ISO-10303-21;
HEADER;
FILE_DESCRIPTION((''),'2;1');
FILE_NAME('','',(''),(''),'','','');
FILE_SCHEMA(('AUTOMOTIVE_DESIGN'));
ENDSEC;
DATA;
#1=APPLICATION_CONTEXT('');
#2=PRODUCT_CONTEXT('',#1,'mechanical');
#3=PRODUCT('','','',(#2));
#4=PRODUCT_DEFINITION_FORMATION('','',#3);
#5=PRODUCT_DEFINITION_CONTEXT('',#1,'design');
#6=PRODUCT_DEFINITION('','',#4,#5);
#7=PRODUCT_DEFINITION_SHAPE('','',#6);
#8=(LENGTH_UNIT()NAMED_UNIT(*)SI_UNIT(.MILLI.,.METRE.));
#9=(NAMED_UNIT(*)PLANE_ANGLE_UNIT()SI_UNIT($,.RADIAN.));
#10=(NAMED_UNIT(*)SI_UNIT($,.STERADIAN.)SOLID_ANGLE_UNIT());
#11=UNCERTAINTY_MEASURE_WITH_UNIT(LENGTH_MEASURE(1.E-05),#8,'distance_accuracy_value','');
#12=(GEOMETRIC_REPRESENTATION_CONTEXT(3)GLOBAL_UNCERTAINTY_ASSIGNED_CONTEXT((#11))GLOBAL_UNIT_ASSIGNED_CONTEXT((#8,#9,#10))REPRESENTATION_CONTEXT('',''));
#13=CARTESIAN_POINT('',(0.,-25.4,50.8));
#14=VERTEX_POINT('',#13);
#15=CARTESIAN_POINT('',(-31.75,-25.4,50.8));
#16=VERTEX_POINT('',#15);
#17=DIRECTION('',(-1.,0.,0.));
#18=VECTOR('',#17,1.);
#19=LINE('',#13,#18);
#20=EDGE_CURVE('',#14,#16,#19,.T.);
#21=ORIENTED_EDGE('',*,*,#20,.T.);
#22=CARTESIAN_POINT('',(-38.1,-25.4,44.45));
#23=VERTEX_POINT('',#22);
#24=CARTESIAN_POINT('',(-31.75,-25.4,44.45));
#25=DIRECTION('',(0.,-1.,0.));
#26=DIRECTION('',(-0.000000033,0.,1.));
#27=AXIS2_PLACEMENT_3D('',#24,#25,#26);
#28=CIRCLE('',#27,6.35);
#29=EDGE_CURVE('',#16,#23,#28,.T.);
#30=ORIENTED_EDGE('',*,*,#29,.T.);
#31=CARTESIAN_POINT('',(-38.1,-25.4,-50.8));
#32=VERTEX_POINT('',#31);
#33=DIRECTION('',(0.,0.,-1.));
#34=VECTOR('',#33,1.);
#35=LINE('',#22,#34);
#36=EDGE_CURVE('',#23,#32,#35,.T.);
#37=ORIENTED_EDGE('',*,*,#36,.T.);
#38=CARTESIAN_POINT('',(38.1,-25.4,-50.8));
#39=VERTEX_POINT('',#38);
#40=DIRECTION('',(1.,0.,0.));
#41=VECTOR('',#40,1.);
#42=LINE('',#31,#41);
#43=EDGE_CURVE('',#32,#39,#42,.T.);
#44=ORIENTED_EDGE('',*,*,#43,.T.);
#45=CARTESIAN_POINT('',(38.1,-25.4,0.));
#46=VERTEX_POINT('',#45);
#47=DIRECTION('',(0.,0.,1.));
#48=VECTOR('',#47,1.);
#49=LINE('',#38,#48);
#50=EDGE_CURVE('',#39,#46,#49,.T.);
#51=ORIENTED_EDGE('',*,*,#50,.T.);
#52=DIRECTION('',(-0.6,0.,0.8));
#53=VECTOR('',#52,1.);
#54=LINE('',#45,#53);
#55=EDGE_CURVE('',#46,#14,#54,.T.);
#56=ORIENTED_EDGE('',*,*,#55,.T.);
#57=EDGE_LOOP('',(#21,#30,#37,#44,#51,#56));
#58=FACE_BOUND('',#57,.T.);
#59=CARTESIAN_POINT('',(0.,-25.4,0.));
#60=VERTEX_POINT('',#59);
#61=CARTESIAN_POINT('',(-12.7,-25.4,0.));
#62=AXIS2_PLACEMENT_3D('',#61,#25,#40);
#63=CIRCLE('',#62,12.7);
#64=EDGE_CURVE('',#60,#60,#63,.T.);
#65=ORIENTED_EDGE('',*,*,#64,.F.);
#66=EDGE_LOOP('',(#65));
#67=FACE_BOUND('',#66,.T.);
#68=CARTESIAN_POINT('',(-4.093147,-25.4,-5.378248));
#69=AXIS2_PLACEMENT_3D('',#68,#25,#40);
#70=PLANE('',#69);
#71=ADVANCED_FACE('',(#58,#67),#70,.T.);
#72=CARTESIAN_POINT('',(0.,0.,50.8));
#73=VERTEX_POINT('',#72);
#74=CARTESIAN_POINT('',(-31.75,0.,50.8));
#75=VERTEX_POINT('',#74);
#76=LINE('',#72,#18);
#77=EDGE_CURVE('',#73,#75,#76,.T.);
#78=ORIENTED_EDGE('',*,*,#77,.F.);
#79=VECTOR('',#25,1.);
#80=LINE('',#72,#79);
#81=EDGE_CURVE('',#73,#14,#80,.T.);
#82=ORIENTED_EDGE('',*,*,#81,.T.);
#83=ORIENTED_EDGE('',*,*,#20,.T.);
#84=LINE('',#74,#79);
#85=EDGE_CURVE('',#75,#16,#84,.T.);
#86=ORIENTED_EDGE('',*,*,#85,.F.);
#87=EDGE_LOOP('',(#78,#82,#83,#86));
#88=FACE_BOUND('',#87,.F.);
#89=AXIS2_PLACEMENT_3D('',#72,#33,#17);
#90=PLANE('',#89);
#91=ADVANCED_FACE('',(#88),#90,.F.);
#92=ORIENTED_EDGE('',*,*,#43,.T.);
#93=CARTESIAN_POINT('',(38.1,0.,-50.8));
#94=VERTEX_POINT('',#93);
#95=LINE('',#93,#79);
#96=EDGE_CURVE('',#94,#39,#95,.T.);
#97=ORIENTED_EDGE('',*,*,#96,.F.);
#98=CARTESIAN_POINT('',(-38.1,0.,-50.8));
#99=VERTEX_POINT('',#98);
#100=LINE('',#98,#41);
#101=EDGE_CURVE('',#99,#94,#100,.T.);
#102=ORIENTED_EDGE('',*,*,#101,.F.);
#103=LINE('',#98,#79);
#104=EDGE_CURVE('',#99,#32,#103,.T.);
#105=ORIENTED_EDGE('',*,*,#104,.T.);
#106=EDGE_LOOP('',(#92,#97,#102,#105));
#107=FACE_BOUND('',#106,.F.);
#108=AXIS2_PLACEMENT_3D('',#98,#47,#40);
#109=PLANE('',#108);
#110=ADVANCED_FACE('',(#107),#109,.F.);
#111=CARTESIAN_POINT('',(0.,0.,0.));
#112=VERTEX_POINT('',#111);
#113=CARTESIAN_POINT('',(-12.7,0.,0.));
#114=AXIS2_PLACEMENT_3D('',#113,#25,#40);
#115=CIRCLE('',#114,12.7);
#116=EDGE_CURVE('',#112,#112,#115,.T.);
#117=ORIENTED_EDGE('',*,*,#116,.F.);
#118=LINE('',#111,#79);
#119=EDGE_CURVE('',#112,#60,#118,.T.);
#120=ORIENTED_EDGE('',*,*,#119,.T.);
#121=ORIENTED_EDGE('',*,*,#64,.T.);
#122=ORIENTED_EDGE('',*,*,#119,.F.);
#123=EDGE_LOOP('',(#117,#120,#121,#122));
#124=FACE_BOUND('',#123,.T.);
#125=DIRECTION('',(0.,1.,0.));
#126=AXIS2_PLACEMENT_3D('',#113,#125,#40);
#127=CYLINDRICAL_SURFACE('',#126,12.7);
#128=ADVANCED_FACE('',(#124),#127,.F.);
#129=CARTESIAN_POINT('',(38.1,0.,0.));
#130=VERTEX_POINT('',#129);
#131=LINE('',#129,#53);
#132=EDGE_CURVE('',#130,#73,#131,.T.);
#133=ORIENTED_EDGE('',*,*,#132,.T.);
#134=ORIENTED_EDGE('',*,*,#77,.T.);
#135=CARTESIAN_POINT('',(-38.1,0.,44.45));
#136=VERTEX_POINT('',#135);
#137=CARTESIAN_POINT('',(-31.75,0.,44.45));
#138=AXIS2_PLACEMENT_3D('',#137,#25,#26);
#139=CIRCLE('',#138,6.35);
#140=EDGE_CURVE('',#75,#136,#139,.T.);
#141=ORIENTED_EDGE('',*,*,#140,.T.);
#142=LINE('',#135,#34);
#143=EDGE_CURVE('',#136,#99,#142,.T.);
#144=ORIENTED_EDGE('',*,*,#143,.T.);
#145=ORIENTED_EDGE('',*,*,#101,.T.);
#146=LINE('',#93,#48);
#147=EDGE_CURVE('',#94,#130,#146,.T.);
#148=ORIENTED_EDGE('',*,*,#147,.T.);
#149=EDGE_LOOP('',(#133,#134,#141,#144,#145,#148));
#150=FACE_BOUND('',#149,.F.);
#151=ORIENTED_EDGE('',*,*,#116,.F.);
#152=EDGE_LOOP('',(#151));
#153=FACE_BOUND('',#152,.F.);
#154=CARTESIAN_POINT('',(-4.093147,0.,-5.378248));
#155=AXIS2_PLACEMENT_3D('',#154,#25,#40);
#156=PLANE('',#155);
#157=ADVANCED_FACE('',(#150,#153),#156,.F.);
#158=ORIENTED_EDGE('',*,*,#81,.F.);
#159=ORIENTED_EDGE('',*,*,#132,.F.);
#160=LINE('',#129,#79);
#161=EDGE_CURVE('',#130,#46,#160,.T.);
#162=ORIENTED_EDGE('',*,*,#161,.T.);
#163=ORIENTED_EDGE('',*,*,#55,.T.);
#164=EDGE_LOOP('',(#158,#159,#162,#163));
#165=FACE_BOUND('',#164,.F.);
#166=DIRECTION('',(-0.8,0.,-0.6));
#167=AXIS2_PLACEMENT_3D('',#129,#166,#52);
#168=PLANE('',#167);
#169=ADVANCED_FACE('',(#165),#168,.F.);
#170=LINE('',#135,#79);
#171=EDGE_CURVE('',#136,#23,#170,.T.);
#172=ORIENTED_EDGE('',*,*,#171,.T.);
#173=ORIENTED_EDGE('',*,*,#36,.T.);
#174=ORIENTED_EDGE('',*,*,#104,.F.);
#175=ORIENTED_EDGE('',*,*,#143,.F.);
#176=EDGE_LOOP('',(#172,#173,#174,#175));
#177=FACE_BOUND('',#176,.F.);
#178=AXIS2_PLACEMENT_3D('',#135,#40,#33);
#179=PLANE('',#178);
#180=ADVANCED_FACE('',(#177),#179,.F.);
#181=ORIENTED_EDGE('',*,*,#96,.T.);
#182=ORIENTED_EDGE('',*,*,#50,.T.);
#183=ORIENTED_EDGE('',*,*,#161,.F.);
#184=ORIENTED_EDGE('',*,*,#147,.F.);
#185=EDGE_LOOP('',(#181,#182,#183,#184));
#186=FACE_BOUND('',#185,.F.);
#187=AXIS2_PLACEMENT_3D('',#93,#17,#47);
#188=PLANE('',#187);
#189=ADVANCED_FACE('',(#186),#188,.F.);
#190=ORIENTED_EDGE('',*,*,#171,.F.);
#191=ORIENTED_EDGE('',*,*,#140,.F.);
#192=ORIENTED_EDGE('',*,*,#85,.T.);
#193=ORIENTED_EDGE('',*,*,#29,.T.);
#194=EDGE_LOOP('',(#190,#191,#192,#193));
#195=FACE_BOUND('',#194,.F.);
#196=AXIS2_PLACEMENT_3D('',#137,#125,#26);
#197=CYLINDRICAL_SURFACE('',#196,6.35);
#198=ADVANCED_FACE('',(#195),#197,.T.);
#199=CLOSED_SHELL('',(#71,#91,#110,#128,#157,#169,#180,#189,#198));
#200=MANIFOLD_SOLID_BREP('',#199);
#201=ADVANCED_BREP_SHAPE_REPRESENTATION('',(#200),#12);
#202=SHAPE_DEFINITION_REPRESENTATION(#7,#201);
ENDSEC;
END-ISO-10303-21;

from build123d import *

# Parameters (mm, degrees)
F0_R     = 12.7
F1_DEPTH = 25.4


with BuildPart() as f1:
    # F0 (on Front) → F1 (new body)
    with BuildSketch(Plane.XZ):
        with BuildLine():
            Line((0, 50.8), (-31.75, 50.8))
            ThreePointArc((-31.75, 50.8), (-36.240128, 48.940128), (-38.1, 44.45))
            Line((-38.1, 44.45), (-38.1, -50.8))
            Line((-38.1, -50.8), (38.1, -50.8))
            Line((38.1, -50.8), (38.1, 0))
            Line((38.1, 0), (0, 50.8))
        make_face()
        with Locations((-12.7, 0)):
            Circle(F0_R, mode=Mode.SUBTRACT)
    extrude(amount=F1_DEPTH)


solid = f1.part
